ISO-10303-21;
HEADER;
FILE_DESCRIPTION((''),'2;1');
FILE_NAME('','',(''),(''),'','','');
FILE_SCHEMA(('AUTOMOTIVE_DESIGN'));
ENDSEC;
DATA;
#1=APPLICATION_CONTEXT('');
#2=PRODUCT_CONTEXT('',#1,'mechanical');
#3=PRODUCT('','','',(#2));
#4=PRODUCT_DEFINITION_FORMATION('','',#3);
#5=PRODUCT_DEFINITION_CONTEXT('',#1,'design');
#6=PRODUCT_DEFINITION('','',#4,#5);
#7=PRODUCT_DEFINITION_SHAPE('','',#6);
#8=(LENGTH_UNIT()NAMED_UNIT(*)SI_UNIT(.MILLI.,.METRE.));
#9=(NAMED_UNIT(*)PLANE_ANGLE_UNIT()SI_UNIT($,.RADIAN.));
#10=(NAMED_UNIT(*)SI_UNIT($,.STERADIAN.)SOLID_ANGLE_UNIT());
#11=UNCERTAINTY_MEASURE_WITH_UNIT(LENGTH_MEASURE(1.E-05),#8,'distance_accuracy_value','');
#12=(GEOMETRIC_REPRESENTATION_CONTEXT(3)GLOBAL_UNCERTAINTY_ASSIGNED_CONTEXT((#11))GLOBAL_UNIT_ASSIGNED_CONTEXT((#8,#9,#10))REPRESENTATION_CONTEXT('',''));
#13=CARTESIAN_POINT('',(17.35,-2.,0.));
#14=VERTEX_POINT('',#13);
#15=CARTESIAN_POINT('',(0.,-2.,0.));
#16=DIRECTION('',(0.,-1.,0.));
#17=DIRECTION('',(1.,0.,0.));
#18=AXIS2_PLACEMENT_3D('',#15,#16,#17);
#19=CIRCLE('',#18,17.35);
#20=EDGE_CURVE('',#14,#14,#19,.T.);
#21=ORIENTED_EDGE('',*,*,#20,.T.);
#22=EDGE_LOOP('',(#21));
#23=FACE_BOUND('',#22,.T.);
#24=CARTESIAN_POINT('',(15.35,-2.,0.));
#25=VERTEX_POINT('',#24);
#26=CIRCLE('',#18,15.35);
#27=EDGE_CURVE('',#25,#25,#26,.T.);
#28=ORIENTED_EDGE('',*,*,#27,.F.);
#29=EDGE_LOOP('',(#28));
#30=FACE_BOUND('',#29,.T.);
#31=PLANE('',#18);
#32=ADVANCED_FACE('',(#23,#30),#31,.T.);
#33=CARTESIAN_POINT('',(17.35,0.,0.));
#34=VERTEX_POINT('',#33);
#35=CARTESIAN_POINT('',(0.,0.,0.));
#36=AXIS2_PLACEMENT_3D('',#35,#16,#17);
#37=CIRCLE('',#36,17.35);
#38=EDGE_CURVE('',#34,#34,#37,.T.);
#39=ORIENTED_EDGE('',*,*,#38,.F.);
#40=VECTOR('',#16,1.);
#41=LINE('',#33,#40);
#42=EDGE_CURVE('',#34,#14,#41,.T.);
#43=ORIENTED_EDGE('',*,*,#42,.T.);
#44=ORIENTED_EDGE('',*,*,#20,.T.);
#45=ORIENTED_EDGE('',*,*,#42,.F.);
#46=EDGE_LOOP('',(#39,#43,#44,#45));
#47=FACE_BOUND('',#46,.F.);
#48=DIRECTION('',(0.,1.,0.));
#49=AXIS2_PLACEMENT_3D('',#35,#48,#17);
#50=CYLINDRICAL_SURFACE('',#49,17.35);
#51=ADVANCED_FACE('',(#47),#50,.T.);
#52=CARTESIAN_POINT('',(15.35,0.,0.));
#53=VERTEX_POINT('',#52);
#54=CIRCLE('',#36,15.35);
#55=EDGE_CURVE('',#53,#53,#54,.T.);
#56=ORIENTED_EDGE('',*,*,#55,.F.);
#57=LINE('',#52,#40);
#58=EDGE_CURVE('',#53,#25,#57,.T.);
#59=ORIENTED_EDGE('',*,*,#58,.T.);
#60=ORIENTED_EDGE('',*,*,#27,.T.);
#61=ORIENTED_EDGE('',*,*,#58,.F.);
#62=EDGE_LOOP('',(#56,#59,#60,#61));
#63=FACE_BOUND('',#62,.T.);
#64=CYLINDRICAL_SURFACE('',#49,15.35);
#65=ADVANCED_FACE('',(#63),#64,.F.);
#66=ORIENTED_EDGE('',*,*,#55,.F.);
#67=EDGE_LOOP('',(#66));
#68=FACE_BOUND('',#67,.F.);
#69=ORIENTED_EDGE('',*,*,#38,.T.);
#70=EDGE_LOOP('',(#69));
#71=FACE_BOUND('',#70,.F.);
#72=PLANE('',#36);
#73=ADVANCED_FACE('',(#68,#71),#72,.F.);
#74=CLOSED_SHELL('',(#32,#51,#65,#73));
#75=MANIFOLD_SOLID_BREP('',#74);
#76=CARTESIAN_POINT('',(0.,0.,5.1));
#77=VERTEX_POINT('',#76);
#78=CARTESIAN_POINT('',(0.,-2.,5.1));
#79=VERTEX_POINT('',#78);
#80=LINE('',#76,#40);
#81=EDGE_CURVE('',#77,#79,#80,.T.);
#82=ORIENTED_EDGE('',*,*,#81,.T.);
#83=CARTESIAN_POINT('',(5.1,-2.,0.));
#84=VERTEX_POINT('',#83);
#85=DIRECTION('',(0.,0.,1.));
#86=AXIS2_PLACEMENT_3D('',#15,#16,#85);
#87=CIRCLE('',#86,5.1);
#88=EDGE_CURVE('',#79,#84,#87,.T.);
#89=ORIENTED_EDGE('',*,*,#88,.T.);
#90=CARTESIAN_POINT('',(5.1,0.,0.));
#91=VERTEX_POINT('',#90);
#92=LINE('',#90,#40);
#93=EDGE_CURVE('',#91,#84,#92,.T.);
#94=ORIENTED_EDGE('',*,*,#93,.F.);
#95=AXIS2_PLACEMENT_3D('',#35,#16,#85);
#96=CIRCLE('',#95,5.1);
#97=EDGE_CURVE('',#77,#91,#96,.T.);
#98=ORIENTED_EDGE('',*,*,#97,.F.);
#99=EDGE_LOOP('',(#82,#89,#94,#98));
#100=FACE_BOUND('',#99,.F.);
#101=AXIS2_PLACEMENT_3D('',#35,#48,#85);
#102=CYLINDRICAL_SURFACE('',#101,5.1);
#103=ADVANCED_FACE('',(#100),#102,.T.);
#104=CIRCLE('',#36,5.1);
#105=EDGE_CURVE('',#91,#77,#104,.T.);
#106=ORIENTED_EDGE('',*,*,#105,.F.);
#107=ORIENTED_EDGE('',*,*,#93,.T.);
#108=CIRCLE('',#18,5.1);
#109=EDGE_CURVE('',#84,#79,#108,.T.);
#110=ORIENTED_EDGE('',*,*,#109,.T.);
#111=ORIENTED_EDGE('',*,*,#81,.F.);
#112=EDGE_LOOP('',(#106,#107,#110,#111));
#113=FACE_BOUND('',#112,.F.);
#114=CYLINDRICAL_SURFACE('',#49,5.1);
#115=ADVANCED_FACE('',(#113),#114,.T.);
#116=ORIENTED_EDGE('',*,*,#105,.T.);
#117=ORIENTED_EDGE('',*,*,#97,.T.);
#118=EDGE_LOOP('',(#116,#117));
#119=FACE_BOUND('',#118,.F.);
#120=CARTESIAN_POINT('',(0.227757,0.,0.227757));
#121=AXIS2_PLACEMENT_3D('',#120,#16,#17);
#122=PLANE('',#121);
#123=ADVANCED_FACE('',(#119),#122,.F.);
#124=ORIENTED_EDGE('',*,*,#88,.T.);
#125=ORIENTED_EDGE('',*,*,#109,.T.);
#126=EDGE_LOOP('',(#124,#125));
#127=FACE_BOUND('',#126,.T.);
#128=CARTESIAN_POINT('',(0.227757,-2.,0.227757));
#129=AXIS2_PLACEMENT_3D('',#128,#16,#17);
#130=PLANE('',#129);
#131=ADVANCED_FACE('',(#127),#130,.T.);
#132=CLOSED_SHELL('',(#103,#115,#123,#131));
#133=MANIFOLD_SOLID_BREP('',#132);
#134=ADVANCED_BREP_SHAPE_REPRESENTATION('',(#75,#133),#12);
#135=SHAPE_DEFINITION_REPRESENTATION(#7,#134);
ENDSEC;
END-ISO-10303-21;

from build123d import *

# Parameters (mm, degrees)
F1_DEPTH = 2
F0_R     = 17.35
F0_R_2   = 15.35


with BuildPart() as f1:
    # F0 (on Front) → F1 (new body)
    with BuildSketch(Plane.XZ):
        with BuildLine():
            ThreePointArc((0, 5.1), (-3.6062445841, -3.6062445841), (5.1, 0))
            ThreePointArc((5.1, 0), (3.6062445841, 3.6062445841), (0, 5.1))
        make_face()
        with BuildLine():
            ThreePointArc((3, 0), (-2.1213203436, -2.1213203436), (0, 3))
            ThreePointArc((0, 3), (2.1213203436, 2.1213203436), (3, 0))
        make_face(mode=Mode.SUBTRACT)
        with BuildLine():
            ThreePointArc((3, 0), (2.1213203436, 2.1213203436), (0, 3))
            ThreePointArc((0, 3), (-2.1213203436, -2.1213203436), (3, 0))
        make_face()
    extrude(amount=F1_DEPTH)


with BuildPart() as f1b:
    # F0 (on Front) → F1, piece 2 (new body)
    with BuildSketch(Plane.XZ):
        Circle(F0_R)
        Circle(F0_R_2, mode=Mode.SUBTRACT)
    extrude(amount=F1_DEPTH)


solid = Compound([f1.part, f1b.part])
